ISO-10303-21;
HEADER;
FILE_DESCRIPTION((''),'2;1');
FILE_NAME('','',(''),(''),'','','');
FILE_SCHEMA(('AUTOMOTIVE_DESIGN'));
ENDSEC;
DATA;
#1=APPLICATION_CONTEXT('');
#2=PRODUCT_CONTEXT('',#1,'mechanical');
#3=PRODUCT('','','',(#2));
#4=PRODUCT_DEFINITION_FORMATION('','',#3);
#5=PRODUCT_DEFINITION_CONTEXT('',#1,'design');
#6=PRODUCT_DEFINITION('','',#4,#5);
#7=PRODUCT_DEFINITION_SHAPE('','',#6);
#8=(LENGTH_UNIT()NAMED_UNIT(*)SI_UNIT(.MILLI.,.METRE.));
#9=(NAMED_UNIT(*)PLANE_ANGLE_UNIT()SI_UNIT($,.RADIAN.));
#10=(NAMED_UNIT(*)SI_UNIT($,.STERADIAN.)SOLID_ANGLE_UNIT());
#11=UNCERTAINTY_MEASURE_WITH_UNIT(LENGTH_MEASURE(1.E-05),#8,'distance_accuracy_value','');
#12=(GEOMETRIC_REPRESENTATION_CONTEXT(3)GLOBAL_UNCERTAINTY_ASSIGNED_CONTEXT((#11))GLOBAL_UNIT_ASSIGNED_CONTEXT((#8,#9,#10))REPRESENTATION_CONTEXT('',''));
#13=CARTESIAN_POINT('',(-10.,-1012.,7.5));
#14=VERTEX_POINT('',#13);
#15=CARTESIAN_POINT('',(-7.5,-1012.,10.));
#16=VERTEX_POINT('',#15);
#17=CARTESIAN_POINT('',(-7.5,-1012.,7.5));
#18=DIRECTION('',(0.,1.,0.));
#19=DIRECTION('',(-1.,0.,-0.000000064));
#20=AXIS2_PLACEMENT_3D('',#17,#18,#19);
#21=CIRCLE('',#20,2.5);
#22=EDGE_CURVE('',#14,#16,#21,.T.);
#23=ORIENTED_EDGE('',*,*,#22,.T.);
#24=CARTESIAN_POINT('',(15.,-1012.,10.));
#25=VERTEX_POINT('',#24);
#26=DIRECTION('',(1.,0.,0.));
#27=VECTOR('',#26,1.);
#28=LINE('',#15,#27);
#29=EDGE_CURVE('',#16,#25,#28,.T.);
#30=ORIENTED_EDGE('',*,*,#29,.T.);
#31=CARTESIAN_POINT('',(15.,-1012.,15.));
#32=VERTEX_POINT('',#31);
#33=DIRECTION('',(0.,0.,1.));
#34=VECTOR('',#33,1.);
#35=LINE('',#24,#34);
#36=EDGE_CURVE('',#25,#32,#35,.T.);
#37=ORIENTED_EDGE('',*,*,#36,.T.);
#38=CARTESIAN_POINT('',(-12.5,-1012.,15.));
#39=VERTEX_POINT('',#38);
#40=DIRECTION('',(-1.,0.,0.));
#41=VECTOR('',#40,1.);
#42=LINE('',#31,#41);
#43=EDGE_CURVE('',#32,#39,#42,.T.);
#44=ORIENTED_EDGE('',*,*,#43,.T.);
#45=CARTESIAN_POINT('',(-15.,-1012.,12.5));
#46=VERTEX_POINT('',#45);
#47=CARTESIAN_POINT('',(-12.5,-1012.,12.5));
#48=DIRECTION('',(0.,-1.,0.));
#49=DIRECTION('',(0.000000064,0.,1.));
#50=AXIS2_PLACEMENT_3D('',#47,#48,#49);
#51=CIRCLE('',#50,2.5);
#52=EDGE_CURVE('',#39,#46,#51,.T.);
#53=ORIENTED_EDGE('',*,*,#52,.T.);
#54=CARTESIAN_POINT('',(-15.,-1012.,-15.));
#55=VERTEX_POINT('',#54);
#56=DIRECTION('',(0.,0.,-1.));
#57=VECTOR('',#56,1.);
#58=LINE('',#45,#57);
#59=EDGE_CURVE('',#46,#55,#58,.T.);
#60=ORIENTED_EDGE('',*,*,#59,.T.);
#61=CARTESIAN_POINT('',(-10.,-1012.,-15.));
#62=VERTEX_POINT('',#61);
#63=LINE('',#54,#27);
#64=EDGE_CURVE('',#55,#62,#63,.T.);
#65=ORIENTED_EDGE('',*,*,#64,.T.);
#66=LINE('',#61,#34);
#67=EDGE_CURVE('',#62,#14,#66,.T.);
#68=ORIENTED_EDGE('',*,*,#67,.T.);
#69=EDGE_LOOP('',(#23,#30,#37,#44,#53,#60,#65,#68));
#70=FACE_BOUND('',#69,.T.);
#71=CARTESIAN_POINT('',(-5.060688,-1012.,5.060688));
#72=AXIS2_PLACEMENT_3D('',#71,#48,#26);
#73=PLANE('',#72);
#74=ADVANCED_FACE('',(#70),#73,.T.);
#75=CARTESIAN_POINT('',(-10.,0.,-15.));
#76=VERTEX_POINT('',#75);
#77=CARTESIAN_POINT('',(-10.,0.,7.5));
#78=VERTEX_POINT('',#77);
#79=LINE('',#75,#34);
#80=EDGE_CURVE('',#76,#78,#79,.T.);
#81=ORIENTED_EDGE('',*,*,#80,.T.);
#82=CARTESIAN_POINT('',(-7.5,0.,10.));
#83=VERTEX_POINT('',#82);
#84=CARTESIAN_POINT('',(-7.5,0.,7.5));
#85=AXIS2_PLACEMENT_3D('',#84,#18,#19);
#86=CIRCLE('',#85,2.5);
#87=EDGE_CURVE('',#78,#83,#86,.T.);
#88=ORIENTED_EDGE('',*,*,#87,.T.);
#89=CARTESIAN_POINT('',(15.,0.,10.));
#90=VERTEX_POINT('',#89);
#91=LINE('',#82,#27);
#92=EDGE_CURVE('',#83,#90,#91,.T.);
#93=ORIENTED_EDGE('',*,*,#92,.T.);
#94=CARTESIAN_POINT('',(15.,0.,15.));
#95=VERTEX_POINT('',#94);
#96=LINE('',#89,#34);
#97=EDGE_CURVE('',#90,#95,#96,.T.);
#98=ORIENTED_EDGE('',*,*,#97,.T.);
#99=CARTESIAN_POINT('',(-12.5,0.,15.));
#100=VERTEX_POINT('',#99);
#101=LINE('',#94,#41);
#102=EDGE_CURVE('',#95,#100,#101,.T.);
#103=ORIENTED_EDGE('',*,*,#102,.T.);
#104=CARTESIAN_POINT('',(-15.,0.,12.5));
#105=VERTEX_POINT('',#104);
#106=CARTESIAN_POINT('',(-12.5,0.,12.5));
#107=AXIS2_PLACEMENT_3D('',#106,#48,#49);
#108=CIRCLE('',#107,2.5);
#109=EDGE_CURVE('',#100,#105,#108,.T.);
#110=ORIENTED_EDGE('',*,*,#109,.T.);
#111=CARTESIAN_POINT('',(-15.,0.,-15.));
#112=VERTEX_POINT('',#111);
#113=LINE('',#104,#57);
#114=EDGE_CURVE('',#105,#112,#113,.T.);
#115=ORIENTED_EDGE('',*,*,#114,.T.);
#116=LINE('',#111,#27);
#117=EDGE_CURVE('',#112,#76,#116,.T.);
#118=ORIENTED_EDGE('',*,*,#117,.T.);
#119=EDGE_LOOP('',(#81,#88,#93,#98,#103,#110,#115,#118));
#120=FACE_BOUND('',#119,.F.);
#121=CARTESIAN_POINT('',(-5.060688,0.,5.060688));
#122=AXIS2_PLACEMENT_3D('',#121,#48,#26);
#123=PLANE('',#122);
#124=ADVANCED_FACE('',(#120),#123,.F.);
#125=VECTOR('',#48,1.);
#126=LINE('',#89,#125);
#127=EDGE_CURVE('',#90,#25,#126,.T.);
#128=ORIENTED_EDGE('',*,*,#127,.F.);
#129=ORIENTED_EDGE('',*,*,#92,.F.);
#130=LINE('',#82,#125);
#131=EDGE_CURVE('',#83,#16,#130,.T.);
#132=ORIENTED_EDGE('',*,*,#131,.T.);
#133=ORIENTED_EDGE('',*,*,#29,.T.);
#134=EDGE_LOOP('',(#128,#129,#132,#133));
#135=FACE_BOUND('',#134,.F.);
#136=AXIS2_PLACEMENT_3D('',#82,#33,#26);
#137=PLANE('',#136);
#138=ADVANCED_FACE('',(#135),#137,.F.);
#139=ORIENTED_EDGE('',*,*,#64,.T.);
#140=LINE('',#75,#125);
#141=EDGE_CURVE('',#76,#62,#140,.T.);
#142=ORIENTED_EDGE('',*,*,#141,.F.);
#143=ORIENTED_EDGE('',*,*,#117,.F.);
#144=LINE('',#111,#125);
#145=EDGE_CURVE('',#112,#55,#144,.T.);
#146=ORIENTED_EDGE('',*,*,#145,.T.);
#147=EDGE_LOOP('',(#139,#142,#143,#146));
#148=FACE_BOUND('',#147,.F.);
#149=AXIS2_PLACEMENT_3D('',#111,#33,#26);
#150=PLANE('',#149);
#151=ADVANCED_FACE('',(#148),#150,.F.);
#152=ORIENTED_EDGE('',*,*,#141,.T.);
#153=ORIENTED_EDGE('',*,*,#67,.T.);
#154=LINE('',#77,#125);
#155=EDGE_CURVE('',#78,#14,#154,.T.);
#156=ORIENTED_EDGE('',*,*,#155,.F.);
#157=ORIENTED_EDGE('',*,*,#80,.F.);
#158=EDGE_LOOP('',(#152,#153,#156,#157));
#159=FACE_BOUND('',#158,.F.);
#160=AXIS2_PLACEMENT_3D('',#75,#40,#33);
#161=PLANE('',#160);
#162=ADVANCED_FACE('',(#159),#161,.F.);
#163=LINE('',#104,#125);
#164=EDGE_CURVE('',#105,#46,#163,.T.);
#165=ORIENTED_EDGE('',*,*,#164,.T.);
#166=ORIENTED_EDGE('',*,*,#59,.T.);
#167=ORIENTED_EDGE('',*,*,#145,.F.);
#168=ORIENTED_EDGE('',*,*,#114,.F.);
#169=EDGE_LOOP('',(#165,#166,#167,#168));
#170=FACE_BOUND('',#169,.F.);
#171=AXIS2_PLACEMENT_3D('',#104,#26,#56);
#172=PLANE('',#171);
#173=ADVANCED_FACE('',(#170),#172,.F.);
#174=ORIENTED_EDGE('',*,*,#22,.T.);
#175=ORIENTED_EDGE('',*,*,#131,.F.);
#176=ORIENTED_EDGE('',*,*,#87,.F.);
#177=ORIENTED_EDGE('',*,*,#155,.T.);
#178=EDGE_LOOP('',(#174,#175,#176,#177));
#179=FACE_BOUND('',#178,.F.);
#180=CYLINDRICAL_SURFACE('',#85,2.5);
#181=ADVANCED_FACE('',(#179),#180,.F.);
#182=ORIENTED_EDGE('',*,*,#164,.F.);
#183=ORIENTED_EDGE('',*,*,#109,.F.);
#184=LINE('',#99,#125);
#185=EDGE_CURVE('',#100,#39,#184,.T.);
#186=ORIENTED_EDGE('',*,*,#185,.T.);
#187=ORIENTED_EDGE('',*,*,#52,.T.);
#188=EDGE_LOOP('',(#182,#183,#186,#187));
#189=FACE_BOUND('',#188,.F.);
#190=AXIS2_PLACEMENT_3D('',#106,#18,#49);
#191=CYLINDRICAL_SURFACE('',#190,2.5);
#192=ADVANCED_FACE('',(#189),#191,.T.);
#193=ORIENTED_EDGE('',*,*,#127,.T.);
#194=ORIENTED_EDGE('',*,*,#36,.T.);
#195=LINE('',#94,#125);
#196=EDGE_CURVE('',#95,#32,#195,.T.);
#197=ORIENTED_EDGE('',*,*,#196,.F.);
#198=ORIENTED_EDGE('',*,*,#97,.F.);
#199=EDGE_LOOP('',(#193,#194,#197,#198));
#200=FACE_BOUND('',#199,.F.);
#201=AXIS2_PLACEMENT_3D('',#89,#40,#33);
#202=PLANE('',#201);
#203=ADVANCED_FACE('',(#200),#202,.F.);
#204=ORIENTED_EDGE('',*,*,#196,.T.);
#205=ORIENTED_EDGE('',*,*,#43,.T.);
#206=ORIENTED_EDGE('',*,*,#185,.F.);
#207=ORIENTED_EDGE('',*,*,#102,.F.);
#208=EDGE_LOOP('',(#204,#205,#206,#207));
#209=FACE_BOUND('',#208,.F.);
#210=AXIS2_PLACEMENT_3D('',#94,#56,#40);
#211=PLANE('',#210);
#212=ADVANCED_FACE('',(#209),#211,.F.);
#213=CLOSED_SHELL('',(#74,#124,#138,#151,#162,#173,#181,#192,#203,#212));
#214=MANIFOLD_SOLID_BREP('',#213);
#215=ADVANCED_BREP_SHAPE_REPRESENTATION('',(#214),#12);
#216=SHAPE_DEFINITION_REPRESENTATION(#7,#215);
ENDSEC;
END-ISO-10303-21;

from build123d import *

# Parameters (mm, degrees)
F1_DEPTH = 1012


with BuildPart() as f1:
    # F0 (on Front) → F1 (new body)
    with BuildSketch(Plane.XZ):
        with BuildLine():
            Line((15, 15), (-12.5, 15))
            ThreePointArc((-12.5, 15), (-14.267767, 14.267767), (-15, 12.5))
            Line((-15, 12.5), (-15, -15))
            Line((-15, -15), (-10, -15))
            Line((-10, -15), (-10, 7.5))
            ThreePointArc((-10, 7.5), (-9.267767, 9.267767), (-7.5, 10))
            Line((-7.5, 10), (15, 10))
            Line((15, 10), (15, 15))
        make_face()
    extrude(amount=F1_DEPTH)


solid = f1.part
